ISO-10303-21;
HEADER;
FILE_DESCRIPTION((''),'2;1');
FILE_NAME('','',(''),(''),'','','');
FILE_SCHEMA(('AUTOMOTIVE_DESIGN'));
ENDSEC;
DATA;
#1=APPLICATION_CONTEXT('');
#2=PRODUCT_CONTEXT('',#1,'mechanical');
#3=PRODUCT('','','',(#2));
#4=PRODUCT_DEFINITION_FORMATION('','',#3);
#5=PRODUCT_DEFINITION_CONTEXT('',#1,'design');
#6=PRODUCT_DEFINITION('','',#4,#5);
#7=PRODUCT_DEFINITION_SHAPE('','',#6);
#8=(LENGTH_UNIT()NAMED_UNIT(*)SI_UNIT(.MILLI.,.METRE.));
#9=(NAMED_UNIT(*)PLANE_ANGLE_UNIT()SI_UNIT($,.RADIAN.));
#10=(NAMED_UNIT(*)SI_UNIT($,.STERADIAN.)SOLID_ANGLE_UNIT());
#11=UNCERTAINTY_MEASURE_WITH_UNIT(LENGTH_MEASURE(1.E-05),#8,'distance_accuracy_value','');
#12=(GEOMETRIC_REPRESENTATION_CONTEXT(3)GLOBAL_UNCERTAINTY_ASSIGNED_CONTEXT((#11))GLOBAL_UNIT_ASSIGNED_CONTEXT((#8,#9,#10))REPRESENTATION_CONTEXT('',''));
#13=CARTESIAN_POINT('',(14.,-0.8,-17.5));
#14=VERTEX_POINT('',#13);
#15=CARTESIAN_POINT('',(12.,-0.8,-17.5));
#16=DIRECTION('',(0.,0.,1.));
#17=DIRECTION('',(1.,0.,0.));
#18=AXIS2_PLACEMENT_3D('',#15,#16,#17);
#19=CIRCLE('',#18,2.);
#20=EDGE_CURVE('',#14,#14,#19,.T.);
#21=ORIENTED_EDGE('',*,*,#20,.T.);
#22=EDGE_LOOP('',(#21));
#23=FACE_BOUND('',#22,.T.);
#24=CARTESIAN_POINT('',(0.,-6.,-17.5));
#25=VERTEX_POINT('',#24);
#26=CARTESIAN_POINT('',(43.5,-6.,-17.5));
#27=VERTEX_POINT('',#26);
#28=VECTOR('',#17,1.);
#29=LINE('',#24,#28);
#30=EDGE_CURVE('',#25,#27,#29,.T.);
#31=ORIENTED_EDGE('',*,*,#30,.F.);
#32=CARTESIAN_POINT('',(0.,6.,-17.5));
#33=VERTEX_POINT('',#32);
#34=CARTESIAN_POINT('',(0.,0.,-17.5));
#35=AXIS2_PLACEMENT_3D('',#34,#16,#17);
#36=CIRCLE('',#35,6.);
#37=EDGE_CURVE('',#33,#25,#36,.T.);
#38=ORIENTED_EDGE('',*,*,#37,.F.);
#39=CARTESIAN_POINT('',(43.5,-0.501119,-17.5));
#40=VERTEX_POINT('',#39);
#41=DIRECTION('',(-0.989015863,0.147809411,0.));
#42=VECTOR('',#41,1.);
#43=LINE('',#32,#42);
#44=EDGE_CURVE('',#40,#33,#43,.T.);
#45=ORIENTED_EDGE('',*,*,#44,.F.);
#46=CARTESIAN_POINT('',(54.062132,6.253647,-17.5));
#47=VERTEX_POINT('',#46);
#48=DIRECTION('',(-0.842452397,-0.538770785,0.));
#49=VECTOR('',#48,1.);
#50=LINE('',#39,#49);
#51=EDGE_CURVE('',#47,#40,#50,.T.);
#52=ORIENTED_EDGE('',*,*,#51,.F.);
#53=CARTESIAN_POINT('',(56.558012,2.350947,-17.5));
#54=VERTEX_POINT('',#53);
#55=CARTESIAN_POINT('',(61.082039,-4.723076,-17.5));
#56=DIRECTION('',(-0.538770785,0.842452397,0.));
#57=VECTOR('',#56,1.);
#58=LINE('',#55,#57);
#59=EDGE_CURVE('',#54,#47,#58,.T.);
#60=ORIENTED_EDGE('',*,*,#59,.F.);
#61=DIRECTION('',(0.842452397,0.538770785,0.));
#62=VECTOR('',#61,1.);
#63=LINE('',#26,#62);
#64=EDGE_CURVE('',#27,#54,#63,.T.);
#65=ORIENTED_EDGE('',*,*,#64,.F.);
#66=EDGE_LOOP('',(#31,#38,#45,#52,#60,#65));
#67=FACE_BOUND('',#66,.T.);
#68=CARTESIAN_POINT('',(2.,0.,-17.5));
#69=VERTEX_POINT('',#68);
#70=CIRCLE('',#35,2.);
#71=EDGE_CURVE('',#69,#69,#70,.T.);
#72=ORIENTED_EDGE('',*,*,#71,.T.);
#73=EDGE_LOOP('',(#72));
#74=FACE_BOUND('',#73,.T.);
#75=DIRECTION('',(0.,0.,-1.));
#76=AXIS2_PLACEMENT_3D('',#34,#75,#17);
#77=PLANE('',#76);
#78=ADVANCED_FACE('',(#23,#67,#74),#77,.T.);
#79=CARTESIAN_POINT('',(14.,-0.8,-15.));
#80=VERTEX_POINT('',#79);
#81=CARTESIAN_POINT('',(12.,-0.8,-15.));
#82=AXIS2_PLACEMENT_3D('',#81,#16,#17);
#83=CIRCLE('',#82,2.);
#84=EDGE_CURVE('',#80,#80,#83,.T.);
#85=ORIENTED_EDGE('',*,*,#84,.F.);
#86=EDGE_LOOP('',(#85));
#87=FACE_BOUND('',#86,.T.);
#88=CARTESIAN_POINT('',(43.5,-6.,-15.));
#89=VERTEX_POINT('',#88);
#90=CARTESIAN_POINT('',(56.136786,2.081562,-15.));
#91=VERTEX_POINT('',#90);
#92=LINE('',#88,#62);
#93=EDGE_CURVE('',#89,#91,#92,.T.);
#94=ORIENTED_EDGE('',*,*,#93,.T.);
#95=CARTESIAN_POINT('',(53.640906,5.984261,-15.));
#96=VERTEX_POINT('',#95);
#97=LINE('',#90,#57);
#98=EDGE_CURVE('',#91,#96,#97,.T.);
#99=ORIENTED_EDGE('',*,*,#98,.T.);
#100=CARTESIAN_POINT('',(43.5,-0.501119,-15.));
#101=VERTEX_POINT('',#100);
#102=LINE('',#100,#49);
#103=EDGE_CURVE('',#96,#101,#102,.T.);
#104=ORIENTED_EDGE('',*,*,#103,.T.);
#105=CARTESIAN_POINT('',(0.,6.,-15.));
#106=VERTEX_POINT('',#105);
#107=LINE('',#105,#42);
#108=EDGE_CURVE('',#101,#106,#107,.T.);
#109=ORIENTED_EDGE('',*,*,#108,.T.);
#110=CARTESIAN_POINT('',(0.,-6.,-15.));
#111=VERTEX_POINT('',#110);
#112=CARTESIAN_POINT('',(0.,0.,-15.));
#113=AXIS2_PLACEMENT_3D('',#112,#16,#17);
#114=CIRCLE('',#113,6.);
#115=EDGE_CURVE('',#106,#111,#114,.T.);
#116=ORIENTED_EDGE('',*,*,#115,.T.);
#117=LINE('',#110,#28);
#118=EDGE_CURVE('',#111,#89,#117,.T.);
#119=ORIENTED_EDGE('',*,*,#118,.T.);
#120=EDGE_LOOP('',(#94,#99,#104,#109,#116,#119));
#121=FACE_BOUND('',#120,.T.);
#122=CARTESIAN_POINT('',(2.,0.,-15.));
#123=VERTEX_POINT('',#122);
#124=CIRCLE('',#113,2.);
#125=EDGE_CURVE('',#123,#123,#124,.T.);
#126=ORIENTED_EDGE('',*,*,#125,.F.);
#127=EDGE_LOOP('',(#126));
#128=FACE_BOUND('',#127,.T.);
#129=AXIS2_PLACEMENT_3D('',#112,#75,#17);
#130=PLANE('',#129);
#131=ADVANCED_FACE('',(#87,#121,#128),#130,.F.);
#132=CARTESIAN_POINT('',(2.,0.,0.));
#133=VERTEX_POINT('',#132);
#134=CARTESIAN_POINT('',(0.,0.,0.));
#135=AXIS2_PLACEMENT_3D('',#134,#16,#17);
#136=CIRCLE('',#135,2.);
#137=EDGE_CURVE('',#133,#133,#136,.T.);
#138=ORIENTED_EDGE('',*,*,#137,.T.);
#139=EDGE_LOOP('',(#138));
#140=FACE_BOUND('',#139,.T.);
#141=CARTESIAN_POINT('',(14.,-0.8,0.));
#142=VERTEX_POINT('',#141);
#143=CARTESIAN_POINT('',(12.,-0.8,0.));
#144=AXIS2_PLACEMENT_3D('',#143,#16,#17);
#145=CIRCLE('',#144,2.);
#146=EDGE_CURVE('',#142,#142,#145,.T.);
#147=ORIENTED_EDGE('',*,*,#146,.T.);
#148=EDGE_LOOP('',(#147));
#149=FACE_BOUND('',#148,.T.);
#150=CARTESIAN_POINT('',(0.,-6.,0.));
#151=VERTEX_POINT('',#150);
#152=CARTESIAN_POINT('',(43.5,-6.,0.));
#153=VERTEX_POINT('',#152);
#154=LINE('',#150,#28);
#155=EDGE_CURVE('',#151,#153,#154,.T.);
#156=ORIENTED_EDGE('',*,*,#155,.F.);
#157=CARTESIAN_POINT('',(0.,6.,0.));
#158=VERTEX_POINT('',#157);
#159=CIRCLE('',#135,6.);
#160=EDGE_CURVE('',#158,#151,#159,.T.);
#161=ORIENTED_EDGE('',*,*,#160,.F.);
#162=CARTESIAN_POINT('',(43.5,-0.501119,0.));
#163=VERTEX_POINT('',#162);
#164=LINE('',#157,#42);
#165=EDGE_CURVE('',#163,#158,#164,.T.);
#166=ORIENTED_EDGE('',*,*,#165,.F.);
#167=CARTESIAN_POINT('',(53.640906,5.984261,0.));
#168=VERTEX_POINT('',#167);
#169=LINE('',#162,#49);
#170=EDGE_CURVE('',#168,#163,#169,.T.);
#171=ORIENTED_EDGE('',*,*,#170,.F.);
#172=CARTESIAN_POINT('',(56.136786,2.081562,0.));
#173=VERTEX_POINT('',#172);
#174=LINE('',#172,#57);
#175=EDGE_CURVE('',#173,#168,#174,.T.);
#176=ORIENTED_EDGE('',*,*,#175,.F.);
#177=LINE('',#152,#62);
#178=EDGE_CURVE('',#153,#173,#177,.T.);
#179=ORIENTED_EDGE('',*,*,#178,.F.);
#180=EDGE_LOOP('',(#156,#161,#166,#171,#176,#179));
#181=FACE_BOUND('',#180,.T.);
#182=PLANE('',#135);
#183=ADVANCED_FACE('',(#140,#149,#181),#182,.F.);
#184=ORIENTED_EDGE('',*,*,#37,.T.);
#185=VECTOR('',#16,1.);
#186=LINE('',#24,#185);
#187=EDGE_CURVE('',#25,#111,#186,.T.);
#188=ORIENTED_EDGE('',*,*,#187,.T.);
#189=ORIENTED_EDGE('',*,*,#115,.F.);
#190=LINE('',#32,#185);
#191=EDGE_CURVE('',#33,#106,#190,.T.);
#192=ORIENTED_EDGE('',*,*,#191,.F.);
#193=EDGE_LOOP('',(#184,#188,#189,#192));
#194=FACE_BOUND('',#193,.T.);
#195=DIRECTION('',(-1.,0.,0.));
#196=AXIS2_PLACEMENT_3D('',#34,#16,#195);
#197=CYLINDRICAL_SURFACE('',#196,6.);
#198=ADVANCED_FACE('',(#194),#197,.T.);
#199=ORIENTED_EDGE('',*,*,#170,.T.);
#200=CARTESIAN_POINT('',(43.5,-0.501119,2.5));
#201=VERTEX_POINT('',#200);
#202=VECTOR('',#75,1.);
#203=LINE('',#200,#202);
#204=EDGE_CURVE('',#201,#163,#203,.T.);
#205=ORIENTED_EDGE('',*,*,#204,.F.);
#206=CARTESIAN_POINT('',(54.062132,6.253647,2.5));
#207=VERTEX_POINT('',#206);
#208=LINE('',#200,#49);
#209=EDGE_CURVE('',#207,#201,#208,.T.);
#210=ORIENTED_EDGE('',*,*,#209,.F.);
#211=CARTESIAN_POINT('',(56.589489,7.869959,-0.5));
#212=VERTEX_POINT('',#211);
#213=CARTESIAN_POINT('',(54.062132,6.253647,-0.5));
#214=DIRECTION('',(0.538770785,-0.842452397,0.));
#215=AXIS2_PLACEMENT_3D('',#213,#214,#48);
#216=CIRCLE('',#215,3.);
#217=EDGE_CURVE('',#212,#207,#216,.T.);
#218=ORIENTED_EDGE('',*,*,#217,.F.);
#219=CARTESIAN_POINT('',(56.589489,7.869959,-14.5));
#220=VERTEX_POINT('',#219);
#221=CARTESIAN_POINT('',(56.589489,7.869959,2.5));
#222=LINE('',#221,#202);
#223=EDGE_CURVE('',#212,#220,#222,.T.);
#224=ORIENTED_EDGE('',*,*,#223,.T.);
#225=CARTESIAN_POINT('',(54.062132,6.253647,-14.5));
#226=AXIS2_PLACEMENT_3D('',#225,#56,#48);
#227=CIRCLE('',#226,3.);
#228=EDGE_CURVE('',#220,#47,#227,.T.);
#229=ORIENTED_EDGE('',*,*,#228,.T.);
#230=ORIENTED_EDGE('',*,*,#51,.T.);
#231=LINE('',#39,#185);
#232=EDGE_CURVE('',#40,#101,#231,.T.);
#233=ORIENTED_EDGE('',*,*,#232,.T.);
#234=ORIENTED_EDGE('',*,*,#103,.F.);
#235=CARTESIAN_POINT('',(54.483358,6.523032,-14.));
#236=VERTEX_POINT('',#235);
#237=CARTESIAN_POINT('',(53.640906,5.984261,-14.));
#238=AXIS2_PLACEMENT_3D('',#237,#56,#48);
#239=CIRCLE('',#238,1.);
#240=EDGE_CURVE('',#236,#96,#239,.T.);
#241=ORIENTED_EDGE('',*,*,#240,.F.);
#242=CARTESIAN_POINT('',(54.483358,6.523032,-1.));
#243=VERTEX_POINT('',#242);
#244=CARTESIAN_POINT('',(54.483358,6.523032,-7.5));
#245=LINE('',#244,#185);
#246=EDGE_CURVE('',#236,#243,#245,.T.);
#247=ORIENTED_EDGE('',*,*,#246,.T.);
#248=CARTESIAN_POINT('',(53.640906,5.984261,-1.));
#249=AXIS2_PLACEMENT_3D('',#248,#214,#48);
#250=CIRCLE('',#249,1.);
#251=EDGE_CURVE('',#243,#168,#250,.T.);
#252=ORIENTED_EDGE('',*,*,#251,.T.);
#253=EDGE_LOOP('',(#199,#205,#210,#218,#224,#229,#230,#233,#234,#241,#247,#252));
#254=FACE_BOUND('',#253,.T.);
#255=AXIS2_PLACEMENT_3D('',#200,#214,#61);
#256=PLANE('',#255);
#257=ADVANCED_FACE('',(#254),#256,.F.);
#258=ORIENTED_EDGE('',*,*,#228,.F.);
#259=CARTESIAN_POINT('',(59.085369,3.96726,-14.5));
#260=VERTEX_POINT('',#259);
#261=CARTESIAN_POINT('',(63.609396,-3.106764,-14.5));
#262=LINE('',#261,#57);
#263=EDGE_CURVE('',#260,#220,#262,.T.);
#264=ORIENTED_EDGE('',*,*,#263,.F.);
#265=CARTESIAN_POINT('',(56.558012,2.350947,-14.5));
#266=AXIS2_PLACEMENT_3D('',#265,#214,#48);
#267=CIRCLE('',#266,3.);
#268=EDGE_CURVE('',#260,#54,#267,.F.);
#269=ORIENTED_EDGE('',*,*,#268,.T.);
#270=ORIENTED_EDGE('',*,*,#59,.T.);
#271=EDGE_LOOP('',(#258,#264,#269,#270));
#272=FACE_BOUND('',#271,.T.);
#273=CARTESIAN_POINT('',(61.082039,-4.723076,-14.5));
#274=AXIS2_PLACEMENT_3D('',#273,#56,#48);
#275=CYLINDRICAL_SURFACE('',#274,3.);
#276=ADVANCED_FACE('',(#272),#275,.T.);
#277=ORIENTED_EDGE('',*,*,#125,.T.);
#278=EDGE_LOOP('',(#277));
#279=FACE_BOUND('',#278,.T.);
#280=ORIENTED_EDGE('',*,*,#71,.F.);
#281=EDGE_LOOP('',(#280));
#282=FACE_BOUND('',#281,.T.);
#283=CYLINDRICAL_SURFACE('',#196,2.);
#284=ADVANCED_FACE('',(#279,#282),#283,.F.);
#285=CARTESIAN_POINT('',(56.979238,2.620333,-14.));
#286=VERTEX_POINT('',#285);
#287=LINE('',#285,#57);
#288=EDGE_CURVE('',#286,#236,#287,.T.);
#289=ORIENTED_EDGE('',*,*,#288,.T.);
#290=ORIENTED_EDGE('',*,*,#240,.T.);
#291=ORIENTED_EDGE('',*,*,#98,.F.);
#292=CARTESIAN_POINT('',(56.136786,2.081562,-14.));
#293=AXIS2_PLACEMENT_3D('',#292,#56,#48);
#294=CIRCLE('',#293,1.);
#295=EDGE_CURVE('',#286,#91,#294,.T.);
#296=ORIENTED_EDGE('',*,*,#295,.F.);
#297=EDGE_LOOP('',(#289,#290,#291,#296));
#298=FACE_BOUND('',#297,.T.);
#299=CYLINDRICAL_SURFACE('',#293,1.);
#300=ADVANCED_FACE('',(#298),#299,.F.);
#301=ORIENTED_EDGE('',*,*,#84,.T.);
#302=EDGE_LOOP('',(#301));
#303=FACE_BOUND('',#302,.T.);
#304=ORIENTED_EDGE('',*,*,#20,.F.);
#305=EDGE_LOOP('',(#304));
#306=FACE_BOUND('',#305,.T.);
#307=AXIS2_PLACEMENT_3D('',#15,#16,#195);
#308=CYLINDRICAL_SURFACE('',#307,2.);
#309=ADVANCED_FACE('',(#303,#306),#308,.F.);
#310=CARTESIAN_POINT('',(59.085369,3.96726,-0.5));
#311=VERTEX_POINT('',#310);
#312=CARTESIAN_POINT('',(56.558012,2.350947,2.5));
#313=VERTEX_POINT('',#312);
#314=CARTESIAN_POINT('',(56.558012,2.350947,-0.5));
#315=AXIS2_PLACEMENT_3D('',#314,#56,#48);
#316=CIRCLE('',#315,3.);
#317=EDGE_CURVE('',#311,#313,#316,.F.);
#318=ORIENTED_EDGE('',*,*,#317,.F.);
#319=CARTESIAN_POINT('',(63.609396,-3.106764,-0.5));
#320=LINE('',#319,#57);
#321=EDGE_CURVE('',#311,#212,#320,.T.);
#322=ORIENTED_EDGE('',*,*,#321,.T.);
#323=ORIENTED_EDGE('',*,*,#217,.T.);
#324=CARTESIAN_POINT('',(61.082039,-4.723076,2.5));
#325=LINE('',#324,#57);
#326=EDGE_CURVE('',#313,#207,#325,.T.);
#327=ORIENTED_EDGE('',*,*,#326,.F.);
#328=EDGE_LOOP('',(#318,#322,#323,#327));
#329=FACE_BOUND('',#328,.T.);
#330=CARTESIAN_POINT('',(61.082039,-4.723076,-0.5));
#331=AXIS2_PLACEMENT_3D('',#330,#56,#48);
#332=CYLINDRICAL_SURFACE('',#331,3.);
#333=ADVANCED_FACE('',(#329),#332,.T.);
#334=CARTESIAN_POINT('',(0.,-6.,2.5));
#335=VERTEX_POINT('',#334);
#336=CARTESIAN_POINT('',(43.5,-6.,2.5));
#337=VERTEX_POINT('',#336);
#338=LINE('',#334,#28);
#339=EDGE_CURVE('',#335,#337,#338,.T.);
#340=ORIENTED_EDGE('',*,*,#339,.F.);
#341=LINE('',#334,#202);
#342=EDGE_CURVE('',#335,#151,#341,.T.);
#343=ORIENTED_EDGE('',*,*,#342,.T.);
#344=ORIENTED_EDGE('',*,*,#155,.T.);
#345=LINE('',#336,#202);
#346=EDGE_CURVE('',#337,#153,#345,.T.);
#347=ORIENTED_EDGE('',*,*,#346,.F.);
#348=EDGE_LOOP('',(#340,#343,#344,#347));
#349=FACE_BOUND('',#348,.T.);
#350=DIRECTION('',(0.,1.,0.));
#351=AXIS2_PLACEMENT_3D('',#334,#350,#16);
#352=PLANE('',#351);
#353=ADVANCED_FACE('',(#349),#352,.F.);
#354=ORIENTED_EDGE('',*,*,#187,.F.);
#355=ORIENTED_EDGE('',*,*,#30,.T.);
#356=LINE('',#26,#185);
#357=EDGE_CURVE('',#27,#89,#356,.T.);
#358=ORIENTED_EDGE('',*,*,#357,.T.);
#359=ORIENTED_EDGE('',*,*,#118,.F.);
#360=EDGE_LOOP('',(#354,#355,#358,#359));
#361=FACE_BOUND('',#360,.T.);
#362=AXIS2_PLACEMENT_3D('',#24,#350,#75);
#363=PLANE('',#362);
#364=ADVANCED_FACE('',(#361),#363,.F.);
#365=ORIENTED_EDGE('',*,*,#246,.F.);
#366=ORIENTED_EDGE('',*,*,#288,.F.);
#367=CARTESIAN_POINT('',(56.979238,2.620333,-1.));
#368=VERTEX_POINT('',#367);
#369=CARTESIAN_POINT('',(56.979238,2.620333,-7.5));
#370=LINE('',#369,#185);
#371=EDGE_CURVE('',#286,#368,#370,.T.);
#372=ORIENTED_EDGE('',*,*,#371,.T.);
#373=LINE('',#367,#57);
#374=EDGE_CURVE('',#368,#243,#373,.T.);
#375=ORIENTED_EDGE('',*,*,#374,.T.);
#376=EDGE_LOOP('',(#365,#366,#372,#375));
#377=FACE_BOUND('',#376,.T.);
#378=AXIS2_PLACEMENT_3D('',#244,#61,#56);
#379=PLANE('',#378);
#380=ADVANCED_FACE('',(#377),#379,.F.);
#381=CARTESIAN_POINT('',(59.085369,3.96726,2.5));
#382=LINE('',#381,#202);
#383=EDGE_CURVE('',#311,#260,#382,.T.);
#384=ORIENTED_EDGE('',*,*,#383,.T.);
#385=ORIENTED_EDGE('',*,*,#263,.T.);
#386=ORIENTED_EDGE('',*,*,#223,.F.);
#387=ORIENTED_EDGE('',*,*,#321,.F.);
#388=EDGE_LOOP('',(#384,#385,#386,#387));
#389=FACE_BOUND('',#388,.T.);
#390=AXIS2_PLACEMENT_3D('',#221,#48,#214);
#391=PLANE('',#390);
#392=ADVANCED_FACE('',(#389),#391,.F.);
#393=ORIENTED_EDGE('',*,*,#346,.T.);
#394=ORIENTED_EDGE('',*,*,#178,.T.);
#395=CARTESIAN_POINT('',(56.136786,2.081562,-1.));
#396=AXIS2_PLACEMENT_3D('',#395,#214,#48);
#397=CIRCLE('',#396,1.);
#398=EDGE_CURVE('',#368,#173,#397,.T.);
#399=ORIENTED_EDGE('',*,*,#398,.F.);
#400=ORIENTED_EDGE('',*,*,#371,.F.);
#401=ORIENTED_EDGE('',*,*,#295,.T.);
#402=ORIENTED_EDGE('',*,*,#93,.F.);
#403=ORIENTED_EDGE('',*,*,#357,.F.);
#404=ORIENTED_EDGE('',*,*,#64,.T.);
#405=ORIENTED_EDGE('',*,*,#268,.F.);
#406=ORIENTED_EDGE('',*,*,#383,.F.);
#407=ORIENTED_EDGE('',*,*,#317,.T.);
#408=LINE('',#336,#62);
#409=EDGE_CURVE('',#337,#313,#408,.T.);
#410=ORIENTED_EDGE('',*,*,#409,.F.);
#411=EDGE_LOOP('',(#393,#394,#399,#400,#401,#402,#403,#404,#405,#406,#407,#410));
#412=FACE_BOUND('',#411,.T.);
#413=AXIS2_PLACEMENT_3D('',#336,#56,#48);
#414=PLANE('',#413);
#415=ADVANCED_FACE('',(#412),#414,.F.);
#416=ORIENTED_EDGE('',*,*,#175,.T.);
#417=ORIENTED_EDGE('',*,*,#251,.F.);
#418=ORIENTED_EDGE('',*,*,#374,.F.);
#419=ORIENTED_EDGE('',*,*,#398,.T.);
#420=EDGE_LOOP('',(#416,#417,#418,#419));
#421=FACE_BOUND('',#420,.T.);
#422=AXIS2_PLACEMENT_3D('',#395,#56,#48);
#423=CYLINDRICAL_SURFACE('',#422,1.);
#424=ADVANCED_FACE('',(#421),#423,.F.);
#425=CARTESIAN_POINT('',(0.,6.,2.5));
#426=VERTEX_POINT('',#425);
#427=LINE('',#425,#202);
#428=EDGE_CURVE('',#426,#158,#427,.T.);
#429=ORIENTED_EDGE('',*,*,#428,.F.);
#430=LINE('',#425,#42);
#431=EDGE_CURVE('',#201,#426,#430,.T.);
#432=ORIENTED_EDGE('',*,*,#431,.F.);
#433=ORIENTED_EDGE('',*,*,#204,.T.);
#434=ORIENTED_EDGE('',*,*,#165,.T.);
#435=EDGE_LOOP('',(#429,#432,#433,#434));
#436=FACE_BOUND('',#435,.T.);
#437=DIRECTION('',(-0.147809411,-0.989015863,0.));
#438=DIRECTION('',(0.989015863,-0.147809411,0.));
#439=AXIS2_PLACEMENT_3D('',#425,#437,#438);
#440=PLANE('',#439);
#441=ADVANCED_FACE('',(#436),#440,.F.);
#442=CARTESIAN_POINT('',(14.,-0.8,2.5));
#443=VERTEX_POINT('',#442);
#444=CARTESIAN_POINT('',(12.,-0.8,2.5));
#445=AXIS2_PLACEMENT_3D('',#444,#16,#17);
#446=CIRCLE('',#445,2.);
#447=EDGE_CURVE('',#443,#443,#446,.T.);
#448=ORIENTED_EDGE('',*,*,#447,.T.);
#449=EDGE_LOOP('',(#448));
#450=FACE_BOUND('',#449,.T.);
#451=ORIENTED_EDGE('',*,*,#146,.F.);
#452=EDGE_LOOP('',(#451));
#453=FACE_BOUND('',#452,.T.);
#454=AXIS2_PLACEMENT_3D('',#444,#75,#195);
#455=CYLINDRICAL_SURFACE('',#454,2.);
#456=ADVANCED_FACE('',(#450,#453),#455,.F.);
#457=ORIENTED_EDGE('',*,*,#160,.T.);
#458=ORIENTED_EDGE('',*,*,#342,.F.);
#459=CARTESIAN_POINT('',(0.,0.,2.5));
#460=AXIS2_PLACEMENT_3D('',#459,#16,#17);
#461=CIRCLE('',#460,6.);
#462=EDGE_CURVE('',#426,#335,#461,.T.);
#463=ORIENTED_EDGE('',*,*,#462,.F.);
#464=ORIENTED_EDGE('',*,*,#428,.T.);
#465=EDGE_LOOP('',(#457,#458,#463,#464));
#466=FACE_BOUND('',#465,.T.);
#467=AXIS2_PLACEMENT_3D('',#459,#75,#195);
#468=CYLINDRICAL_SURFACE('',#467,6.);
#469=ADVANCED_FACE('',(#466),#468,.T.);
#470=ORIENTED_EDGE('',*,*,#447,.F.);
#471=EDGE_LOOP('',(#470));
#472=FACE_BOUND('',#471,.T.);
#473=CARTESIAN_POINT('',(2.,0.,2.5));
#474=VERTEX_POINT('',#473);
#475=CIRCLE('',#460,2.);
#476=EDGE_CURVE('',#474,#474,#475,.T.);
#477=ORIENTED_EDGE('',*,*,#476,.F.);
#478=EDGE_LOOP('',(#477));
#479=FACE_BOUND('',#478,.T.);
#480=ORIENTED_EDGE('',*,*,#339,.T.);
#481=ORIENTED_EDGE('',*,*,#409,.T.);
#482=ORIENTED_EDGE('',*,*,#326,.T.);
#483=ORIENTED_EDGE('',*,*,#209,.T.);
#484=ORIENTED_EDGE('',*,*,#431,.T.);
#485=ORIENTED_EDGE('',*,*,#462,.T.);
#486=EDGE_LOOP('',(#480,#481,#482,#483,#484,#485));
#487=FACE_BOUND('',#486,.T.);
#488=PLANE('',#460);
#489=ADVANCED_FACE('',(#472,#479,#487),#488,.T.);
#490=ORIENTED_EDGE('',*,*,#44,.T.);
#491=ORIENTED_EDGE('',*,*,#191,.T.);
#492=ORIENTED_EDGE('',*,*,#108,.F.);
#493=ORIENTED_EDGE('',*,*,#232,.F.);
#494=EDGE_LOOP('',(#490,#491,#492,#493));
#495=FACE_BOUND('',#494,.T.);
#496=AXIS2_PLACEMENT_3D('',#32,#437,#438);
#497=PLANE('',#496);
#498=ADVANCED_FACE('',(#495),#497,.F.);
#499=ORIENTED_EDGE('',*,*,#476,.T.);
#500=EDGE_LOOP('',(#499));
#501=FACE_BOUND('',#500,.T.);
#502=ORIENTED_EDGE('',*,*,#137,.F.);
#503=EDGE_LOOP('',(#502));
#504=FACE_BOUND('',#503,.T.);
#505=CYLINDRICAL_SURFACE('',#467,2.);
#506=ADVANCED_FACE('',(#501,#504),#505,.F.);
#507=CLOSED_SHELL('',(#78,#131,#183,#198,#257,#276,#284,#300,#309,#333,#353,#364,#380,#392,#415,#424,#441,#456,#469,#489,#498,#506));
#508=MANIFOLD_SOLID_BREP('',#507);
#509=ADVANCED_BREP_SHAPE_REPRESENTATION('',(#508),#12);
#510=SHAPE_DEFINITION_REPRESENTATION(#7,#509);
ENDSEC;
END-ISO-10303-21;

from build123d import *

# Parameters (mm, degrees)
SCHIZZO1_R                   = 2
ESTRUSIONE_ESTRUSIONE1_DEPTH = 2.5
ESTRUSIONE_ESTRUSIONE2_DEPTH = 7.5
TAGLIO_ESTRUSIONE1_DEPTH     = 55.551477823
ESTRUSIONE_ESTRUSIONE3_DEPTH = 4.632546


with BuildPart() as part:
    # Schizzo1 → Estrusione-Estrusione1 (new body)
    with BuildSketch(Plane.XY):
        with BuildLine():
            Line((0, -6), (43.5, -6))
            Line((43.5, -6), (59.085369345, 3.967259523))
            Line((59.085369345, 3.967259523), (56.58948898, 7.869958879))
            Line((56.58948898, 7.869958879), (43.5, -0.501118559))
            Line((43.5, -0.501118559), (0, 6))
            ThreePointArc((0, 6), (-6, 0), (0, -6))
        make_face()
        Circle(SCHIZZO1_R, mode=Mode.SUBTRACT)
        with Locations((12, -0.8)):
            Circle(SCHIZZO1_R, mode=Mode.SUBTRACT)
    extrude(amount=ESTRUSIONE_ESTRUSIONE1_DEPTH)

    # Schizzo3 → Estrusione-Estrusione2 (add)
    with BuildSketch(Plane(origin=(0, 0, 0), x_dir=(-1, 0, 0), z_dir=(0, 0, -1))):
        Polygon((-56.58948898, 7.869958879), (-59.085369345, 3.967259523), (-56.979238352, 2.62033256), (-54.483357987, 6.523031917), align=None)
    extrude(amount=ESTRUSIONE_ESTRUSIONE2_DEPTH)

    # Schizzo4 → Taglio-Estrusione1 (cut, through all)
    with BuildSketch(Plane(origin=(12.854369278, -20.099817049, 0), x_dir=(0.8424523970071469, 0.5387707850068642, 0), z_dir=(-0.5387707850068642, 0.8424523970071469, 0))):
        with BuildLine():
            Line((51.91405456, 0.5), (51.91405456, -2.5))
            Line((51.91405456, -2.5), (48.91405456, -2.5))
            ThreePointArc((48.91405456, -2.5), (51.035374903, -1.621320344), (51.91405456, 0.5))
        make_face()
    extrude(amount=-TAGLIO_ESTRUSIONE1_DEPTH, mode=Mode.SUBTRACT)

    # Schizzo5 → Estrusione-Estrusione3 (add)
    with BuildSketch(Plane(origin=(12.854369278, -20.099817049, 0), x_dir=(0.8424523970071469, 0.5387707850068642, 0), z_dir=(-0.5387707850068642, 0.8424523970071469, 0))):
        with BuildLine():
            Line((49.41405456, 1), (49.41405456, 0))
            Line((49.41405456, 0), (48.41405456, 0))
            ThreePointArc((48.41405456, 0), (49.121161341, 0.292893219), (49.41405456, 1))
        make_face()
    extrude(amount=-ESTRUSIONE_ESTRUSIONE3_DEPTH)

    # Specchia4: part across plane


with BuildPart() as part_1:
    add(part.part)
    add(part.part.mirror(Plane.XY.offset(-7.5)))


solid = part_1.part
